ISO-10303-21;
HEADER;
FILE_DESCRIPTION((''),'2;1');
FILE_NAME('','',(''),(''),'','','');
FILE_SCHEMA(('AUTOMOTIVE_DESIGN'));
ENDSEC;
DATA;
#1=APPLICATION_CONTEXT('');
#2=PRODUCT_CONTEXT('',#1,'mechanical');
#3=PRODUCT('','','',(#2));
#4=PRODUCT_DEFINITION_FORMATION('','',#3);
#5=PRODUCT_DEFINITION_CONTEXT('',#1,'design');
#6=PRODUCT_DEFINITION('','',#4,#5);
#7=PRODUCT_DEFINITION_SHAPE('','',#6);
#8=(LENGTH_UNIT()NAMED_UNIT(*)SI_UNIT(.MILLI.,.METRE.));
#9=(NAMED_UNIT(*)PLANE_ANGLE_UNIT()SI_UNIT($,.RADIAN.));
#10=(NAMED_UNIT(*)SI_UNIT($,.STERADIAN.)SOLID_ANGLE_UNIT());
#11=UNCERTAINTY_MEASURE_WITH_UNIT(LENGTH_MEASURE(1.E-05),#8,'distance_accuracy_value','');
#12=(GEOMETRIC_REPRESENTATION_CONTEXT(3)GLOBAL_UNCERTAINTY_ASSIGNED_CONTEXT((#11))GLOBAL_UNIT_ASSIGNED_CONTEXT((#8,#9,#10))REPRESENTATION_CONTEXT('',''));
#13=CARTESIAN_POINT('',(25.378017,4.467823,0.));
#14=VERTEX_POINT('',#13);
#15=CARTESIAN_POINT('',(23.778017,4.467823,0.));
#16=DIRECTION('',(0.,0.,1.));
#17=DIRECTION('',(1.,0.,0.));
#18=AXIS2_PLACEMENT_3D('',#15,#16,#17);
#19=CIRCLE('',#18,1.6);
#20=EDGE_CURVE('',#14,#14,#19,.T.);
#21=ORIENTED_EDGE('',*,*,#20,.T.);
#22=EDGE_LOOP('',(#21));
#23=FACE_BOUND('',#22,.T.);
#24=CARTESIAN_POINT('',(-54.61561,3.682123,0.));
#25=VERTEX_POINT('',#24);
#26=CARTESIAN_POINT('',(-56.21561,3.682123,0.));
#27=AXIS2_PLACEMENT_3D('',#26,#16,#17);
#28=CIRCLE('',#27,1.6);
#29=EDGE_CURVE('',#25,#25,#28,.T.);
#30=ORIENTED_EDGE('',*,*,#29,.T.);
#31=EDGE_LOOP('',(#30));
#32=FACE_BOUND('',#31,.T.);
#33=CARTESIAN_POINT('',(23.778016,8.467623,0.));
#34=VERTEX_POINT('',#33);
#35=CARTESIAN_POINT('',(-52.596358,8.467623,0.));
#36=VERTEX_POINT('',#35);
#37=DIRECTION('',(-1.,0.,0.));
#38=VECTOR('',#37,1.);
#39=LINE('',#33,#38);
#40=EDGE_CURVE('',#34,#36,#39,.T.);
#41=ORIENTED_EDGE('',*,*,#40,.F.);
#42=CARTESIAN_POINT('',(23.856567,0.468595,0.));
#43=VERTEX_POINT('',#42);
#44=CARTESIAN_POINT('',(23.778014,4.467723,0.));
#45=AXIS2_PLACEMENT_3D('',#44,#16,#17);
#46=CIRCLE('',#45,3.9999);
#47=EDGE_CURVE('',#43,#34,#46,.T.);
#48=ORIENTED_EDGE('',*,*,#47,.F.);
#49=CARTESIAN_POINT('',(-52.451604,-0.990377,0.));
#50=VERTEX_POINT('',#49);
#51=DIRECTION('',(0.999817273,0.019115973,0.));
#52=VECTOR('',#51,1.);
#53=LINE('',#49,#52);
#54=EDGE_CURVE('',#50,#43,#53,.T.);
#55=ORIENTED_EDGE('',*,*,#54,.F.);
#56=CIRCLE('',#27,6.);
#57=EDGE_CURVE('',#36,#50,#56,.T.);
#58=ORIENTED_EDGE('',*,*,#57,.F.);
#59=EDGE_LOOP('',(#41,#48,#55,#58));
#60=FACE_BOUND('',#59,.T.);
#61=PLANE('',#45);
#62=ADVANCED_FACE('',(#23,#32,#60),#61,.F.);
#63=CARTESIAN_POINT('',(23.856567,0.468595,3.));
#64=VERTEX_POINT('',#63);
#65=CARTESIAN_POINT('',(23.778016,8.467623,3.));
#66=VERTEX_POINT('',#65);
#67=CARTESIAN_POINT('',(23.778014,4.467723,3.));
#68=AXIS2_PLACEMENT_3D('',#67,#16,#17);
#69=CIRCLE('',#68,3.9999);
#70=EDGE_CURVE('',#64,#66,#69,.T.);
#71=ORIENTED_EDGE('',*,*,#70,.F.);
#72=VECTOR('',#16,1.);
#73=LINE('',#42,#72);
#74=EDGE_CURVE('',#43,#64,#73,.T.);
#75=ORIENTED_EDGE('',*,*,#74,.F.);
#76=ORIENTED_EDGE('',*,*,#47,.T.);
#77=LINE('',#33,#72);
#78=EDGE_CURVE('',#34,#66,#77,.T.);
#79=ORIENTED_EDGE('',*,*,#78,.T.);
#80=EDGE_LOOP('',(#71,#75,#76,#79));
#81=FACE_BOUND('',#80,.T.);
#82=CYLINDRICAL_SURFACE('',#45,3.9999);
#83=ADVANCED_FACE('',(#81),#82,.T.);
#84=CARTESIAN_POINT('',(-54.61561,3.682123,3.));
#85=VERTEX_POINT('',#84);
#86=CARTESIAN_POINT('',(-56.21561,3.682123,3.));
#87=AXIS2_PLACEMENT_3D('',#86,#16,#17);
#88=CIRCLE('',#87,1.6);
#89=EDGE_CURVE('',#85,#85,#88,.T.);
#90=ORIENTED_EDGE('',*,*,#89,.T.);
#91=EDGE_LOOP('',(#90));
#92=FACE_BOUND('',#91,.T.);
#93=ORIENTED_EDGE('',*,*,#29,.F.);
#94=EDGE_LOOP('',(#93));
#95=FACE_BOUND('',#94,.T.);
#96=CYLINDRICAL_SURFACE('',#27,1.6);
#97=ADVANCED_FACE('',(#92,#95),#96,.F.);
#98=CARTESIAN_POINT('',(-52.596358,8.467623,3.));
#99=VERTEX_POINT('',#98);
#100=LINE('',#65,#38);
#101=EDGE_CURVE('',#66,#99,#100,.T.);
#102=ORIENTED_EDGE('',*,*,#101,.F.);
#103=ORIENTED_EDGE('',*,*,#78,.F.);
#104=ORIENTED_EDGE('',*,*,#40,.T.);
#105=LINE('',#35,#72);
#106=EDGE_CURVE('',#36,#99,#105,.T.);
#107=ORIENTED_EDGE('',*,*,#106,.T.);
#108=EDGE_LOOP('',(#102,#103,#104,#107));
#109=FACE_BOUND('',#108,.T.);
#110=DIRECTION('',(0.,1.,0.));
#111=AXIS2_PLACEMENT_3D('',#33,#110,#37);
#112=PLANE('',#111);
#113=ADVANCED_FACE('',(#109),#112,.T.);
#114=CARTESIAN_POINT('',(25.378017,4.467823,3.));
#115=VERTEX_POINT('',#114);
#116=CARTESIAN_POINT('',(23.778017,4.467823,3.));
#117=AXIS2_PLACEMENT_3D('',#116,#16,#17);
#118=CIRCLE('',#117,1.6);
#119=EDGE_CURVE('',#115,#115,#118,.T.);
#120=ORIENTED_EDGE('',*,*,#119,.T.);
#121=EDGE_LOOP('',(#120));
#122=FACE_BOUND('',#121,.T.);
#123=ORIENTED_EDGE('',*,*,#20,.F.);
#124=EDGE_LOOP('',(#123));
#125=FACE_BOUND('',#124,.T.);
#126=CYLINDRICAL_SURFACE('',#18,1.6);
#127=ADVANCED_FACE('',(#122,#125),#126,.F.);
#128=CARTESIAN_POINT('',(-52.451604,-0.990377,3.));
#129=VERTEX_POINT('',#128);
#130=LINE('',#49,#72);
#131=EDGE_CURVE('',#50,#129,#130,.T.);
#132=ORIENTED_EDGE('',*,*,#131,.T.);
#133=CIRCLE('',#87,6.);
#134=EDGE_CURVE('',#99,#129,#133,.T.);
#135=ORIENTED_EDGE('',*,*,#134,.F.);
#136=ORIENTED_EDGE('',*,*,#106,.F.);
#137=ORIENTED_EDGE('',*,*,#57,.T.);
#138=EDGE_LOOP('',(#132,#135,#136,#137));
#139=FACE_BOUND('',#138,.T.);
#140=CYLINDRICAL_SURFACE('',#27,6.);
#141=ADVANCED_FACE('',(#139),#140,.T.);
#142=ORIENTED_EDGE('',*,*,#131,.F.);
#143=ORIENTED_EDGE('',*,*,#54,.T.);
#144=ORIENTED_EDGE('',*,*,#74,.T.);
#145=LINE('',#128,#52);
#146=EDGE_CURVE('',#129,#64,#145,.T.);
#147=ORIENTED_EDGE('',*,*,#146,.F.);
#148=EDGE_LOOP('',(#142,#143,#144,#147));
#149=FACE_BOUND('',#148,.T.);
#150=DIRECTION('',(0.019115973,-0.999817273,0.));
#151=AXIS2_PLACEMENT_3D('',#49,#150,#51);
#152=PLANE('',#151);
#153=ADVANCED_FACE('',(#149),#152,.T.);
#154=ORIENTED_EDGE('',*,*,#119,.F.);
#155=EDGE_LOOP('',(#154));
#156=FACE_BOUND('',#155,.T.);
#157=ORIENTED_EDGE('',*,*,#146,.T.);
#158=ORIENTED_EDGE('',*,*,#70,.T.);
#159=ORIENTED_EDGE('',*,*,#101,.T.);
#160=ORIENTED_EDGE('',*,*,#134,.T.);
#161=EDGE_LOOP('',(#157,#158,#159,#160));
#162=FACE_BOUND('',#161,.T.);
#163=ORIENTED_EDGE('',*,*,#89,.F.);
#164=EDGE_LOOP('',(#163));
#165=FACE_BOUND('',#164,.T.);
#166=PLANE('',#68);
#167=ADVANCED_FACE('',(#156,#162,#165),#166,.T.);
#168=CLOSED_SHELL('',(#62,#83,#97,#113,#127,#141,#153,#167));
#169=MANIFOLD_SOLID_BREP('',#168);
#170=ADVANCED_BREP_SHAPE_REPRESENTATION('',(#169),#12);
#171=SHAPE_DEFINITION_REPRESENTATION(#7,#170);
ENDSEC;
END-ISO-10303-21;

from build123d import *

# Parameters (mm, degrees)
EXTRUDE_1_DEPTH         = 3
SKETCH_2_R              = 1.35
CUT_EXTRUDE_1_DEPTH     = 2.444444444
SKETCH_3_R              = 1.35
CUT_EXTRUDE_2_DEPTH     = 0.555555556
HOLE_WIZARD_2_7_2_7_1_D = 2.7
SKETCH_6_R              = 1.6
CUT_EXTRUDE_3_DEPTH     = 64.035907885


with BuildPart() as part:
    # 草图1 → 凸台-拉伸1 (new body)
    with BuildSketch(Plane.XY.offset(3)):
        with BuildLine():
            Line((23.778016459, 8.467622986), (-52.596358319, 8.467622986))
            ThreePointArc((-52.596358319, 8.467622986), (-62.214907854, 3.590303351), (-52.451603626, -0.990377005))
            Line((-52.451603626, -0.990377005), (23.856567017, 0.468594516))
            ThreePointArc((23.856567017, 0.468594516), (27.777721585, 4.50700022), (23.778016459, 8.467622986))
        make_face()
    extrude(amount=-EXTRUDE_1_DEPTH)

    # 草图2 → 切除-拉伸1 (cut)
    with BuildSketch(Plane.XY.offset(3)):
        with Locations(Location((23.77801746, 4.467622995, 0), (0, 0, 180))):
            Circle(SKETCH_2_R)
    extrude(amount=-CUT_EXTRUDE_1_DEPTH, mode=Mode.SUBTRACT)

    # 草图3 → 切除-拉伸2 (cut)
    with BuildSketch(Plane(origin=(0, 0, 0), x_dir=(-1, 0, 0), z_dir=(0, 0, -1))):
        with Locations(Location((-23.778017455, 4.467823177, 0), (0, 0, 359.991504025))):
            Circle(SKETCH_3_R)
    extrude(amount=-CUT_EXTRUDE_2_DEPTH, mode=Mode.SUBTRACT)

    # Ø2.7 (2.7) 直径孔1 (through all)
    with Locations(Plane.XY.offset(3)):
        with Locations((-56.215609969, 3.682122995)):
            Hole(HOLE_WIZARD_2_7_2_7_1_D / 2)

    # 草图6 → 切除-拉伸3 (cut, through all)
    with BuildSketch(Plane.XY.offset(3)):
        with Locations((-56.215609969, 3.682122995)):
            Circle(SKETCH_6_R)
        with Locations((23.778017455, 4.467823177)):
            Circle(SKETCH_6_R)
    extrude(amount=-CUT_EXTRUDE_3_DEPTH, mode=Mode.SUBTRACT)


solid = part.part
